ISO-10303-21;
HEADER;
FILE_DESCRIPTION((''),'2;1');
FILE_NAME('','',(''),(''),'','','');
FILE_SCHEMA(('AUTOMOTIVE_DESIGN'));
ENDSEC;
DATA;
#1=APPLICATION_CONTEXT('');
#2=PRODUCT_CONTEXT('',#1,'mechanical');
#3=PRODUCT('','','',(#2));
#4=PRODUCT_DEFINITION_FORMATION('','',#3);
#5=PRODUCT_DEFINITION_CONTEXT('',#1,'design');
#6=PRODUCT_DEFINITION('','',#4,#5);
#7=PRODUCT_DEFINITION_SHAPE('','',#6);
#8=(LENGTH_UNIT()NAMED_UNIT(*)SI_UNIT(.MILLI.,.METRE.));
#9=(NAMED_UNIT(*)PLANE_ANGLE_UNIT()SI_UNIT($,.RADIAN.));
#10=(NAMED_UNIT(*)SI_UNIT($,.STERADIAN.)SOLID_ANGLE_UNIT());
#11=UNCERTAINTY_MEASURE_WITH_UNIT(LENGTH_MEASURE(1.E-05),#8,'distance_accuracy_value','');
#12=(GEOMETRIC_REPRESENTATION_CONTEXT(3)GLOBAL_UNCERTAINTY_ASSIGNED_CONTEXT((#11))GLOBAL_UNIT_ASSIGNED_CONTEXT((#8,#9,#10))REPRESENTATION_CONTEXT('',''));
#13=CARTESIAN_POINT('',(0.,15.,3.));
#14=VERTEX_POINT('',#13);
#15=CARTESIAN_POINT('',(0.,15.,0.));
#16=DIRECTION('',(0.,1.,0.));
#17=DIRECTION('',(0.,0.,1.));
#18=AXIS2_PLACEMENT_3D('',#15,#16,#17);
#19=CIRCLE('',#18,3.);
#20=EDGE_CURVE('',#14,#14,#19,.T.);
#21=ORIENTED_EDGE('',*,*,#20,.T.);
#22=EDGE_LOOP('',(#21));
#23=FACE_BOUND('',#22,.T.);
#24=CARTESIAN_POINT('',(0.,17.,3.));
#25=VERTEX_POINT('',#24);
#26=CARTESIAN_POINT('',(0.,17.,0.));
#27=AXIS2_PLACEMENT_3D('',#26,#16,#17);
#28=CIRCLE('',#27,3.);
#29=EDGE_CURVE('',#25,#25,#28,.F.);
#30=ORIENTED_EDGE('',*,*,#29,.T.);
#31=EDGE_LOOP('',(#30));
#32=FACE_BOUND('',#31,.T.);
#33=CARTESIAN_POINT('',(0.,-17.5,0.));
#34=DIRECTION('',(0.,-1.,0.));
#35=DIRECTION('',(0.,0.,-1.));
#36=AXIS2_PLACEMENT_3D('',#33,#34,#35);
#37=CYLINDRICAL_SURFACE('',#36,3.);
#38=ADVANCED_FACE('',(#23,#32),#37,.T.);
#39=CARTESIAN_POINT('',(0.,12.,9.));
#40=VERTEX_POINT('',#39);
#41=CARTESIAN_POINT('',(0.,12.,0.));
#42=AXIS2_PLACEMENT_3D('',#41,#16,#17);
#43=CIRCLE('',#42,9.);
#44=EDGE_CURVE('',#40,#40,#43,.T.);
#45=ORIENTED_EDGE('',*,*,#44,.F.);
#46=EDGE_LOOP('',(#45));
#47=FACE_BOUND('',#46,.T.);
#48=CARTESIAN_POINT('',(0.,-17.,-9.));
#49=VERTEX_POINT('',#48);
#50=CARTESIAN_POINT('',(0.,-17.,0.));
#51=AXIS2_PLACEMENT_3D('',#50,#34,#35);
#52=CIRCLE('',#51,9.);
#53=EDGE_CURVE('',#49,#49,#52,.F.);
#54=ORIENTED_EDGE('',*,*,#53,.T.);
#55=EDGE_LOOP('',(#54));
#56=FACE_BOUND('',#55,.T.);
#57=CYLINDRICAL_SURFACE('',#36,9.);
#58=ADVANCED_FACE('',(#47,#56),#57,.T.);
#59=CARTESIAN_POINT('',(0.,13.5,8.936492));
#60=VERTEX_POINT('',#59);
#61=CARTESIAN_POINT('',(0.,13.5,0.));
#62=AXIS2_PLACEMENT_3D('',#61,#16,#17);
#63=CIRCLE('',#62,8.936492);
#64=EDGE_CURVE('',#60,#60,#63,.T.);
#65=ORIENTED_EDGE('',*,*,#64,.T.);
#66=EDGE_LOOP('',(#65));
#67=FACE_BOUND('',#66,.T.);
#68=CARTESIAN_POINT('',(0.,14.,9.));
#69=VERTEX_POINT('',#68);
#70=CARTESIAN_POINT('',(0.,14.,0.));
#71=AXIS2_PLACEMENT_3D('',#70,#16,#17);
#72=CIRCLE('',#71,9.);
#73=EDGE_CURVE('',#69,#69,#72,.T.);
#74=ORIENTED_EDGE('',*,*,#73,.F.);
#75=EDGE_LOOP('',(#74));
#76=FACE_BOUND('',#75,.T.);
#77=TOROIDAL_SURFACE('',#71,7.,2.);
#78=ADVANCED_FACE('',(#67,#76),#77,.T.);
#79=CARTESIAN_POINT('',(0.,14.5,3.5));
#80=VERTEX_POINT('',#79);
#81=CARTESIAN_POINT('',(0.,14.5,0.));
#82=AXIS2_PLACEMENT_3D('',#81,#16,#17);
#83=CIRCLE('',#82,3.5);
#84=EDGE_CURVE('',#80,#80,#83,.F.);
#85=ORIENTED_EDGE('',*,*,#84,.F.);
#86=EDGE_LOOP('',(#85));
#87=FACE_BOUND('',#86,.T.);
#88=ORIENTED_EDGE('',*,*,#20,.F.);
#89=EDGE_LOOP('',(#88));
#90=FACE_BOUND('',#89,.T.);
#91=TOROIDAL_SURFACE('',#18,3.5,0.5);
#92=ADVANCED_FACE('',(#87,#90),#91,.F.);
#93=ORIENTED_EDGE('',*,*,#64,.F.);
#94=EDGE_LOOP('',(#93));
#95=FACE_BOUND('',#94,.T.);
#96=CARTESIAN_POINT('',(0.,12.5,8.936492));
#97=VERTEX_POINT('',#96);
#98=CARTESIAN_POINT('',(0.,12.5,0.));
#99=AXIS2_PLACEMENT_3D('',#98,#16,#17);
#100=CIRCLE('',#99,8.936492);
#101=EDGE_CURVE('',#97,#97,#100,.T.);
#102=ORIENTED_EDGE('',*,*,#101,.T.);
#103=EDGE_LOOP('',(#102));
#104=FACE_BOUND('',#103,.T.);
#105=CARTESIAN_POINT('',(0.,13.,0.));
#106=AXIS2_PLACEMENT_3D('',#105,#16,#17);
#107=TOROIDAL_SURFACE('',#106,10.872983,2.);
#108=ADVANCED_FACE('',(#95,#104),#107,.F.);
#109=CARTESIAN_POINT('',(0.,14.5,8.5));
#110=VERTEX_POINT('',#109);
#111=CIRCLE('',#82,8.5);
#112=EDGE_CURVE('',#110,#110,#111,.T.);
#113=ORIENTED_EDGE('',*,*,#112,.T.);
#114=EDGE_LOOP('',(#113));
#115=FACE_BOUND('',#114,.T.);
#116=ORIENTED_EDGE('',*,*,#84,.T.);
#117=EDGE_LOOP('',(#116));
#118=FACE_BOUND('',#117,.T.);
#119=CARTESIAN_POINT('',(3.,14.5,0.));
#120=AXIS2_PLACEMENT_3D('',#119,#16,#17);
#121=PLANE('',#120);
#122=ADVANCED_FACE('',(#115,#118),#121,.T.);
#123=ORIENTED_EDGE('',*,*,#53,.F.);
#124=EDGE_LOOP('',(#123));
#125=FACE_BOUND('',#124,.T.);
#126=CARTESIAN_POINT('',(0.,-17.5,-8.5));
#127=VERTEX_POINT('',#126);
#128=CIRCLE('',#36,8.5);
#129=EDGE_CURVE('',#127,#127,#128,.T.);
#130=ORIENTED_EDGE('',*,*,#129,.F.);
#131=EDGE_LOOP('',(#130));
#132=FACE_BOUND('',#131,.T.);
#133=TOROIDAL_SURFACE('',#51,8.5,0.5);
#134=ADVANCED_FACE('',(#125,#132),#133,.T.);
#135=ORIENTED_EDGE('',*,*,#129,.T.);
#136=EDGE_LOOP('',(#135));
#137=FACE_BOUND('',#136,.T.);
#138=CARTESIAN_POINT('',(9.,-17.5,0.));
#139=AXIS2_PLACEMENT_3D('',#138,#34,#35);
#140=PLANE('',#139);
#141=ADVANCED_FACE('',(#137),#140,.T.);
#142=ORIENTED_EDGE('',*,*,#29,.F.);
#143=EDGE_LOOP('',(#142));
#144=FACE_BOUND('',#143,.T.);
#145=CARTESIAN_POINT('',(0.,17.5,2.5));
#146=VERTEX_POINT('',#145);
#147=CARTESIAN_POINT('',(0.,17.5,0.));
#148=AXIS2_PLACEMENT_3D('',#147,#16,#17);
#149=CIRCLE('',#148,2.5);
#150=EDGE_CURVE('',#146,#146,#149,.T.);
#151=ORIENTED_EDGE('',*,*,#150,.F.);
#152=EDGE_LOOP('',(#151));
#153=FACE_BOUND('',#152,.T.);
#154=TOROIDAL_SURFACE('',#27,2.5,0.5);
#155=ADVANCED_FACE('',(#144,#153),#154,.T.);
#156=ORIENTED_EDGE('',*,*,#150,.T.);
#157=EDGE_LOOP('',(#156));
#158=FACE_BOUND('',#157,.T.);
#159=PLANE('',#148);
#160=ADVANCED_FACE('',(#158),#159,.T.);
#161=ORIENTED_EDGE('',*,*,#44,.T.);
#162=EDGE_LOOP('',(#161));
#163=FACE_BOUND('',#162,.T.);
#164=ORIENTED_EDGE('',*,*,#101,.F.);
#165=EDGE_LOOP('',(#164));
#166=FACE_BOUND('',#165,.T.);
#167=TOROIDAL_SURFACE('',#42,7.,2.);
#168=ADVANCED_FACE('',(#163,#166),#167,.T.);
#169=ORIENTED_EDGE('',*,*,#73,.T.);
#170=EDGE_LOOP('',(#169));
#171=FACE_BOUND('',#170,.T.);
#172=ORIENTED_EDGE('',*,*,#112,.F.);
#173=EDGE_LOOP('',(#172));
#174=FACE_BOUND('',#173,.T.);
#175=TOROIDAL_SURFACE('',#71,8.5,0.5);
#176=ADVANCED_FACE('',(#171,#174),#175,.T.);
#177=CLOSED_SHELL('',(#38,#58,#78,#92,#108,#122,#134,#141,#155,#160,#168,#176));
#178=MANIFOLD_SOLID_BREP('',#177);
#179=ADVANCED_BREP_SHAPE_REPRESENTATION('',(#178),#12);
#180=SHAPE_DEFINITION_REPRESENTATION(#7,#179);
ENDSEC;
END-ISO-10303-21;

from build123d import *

# Parameters (mm, degrees)
FILLET1_R = 0.5


with BuildPart() as part:
    # Sketch1 → Revolve1 (revolve)
    with BuildSketch(Plane.XY, mode=Mode.PRIVATE) as revolve1_sk:
        Polygon((0, -17.5), (0, 17.5), (3, 17.5), (3, 14.5), (9, 14.5), (9, -17.5), align=None)
    revolve(revolve1_sk.sketch.rotate(Axis((0, -17.5, 0), (0, 1, 0)), 90), axis=Axis((0, -17.5, 0), (0, 1, 0)))

    # Fillet1
    fillet1_edges = [part.edges().sort_by_distance(p)[0] for p in [
        (0, -17.5, 9),
        (0, 14.5, 9),
        (0, 14.5, 3),
        (0, 17.5, 3),
    ]]
    fillet(fillet1_edges, radius=FILLET1_R)

    # Sketch2 → Cut-Revolve1 (revolve, cut)
    with BuildSketch(Plane.XY, mode=Mode.PRIVATE) as cut_revolve1_sk:
        with BuildLine():
            Line((9, 12), (9, 14))
            ThreePointArc((9, 14), (8.984059393, 13.747991415), (8.936491673, 13.5))
            ThreePointArc((8.936491673, 13.5), (8.872983346, 13), (8.936491673, 12.5))
            ThreePointArc((8.936491673, 12.5), (8.984059393, 12.252008585), (9, 12))
        make_face()
    revolve(cut_revolve1_sk.sketch.rotate(Axis((0, 17.5, 0), (0, -1, 0)), 90), axis=Axis((0, 17.5, 0), (0, -1, 0)), mode=Mode.SUBTRACT)


solid = part.part
